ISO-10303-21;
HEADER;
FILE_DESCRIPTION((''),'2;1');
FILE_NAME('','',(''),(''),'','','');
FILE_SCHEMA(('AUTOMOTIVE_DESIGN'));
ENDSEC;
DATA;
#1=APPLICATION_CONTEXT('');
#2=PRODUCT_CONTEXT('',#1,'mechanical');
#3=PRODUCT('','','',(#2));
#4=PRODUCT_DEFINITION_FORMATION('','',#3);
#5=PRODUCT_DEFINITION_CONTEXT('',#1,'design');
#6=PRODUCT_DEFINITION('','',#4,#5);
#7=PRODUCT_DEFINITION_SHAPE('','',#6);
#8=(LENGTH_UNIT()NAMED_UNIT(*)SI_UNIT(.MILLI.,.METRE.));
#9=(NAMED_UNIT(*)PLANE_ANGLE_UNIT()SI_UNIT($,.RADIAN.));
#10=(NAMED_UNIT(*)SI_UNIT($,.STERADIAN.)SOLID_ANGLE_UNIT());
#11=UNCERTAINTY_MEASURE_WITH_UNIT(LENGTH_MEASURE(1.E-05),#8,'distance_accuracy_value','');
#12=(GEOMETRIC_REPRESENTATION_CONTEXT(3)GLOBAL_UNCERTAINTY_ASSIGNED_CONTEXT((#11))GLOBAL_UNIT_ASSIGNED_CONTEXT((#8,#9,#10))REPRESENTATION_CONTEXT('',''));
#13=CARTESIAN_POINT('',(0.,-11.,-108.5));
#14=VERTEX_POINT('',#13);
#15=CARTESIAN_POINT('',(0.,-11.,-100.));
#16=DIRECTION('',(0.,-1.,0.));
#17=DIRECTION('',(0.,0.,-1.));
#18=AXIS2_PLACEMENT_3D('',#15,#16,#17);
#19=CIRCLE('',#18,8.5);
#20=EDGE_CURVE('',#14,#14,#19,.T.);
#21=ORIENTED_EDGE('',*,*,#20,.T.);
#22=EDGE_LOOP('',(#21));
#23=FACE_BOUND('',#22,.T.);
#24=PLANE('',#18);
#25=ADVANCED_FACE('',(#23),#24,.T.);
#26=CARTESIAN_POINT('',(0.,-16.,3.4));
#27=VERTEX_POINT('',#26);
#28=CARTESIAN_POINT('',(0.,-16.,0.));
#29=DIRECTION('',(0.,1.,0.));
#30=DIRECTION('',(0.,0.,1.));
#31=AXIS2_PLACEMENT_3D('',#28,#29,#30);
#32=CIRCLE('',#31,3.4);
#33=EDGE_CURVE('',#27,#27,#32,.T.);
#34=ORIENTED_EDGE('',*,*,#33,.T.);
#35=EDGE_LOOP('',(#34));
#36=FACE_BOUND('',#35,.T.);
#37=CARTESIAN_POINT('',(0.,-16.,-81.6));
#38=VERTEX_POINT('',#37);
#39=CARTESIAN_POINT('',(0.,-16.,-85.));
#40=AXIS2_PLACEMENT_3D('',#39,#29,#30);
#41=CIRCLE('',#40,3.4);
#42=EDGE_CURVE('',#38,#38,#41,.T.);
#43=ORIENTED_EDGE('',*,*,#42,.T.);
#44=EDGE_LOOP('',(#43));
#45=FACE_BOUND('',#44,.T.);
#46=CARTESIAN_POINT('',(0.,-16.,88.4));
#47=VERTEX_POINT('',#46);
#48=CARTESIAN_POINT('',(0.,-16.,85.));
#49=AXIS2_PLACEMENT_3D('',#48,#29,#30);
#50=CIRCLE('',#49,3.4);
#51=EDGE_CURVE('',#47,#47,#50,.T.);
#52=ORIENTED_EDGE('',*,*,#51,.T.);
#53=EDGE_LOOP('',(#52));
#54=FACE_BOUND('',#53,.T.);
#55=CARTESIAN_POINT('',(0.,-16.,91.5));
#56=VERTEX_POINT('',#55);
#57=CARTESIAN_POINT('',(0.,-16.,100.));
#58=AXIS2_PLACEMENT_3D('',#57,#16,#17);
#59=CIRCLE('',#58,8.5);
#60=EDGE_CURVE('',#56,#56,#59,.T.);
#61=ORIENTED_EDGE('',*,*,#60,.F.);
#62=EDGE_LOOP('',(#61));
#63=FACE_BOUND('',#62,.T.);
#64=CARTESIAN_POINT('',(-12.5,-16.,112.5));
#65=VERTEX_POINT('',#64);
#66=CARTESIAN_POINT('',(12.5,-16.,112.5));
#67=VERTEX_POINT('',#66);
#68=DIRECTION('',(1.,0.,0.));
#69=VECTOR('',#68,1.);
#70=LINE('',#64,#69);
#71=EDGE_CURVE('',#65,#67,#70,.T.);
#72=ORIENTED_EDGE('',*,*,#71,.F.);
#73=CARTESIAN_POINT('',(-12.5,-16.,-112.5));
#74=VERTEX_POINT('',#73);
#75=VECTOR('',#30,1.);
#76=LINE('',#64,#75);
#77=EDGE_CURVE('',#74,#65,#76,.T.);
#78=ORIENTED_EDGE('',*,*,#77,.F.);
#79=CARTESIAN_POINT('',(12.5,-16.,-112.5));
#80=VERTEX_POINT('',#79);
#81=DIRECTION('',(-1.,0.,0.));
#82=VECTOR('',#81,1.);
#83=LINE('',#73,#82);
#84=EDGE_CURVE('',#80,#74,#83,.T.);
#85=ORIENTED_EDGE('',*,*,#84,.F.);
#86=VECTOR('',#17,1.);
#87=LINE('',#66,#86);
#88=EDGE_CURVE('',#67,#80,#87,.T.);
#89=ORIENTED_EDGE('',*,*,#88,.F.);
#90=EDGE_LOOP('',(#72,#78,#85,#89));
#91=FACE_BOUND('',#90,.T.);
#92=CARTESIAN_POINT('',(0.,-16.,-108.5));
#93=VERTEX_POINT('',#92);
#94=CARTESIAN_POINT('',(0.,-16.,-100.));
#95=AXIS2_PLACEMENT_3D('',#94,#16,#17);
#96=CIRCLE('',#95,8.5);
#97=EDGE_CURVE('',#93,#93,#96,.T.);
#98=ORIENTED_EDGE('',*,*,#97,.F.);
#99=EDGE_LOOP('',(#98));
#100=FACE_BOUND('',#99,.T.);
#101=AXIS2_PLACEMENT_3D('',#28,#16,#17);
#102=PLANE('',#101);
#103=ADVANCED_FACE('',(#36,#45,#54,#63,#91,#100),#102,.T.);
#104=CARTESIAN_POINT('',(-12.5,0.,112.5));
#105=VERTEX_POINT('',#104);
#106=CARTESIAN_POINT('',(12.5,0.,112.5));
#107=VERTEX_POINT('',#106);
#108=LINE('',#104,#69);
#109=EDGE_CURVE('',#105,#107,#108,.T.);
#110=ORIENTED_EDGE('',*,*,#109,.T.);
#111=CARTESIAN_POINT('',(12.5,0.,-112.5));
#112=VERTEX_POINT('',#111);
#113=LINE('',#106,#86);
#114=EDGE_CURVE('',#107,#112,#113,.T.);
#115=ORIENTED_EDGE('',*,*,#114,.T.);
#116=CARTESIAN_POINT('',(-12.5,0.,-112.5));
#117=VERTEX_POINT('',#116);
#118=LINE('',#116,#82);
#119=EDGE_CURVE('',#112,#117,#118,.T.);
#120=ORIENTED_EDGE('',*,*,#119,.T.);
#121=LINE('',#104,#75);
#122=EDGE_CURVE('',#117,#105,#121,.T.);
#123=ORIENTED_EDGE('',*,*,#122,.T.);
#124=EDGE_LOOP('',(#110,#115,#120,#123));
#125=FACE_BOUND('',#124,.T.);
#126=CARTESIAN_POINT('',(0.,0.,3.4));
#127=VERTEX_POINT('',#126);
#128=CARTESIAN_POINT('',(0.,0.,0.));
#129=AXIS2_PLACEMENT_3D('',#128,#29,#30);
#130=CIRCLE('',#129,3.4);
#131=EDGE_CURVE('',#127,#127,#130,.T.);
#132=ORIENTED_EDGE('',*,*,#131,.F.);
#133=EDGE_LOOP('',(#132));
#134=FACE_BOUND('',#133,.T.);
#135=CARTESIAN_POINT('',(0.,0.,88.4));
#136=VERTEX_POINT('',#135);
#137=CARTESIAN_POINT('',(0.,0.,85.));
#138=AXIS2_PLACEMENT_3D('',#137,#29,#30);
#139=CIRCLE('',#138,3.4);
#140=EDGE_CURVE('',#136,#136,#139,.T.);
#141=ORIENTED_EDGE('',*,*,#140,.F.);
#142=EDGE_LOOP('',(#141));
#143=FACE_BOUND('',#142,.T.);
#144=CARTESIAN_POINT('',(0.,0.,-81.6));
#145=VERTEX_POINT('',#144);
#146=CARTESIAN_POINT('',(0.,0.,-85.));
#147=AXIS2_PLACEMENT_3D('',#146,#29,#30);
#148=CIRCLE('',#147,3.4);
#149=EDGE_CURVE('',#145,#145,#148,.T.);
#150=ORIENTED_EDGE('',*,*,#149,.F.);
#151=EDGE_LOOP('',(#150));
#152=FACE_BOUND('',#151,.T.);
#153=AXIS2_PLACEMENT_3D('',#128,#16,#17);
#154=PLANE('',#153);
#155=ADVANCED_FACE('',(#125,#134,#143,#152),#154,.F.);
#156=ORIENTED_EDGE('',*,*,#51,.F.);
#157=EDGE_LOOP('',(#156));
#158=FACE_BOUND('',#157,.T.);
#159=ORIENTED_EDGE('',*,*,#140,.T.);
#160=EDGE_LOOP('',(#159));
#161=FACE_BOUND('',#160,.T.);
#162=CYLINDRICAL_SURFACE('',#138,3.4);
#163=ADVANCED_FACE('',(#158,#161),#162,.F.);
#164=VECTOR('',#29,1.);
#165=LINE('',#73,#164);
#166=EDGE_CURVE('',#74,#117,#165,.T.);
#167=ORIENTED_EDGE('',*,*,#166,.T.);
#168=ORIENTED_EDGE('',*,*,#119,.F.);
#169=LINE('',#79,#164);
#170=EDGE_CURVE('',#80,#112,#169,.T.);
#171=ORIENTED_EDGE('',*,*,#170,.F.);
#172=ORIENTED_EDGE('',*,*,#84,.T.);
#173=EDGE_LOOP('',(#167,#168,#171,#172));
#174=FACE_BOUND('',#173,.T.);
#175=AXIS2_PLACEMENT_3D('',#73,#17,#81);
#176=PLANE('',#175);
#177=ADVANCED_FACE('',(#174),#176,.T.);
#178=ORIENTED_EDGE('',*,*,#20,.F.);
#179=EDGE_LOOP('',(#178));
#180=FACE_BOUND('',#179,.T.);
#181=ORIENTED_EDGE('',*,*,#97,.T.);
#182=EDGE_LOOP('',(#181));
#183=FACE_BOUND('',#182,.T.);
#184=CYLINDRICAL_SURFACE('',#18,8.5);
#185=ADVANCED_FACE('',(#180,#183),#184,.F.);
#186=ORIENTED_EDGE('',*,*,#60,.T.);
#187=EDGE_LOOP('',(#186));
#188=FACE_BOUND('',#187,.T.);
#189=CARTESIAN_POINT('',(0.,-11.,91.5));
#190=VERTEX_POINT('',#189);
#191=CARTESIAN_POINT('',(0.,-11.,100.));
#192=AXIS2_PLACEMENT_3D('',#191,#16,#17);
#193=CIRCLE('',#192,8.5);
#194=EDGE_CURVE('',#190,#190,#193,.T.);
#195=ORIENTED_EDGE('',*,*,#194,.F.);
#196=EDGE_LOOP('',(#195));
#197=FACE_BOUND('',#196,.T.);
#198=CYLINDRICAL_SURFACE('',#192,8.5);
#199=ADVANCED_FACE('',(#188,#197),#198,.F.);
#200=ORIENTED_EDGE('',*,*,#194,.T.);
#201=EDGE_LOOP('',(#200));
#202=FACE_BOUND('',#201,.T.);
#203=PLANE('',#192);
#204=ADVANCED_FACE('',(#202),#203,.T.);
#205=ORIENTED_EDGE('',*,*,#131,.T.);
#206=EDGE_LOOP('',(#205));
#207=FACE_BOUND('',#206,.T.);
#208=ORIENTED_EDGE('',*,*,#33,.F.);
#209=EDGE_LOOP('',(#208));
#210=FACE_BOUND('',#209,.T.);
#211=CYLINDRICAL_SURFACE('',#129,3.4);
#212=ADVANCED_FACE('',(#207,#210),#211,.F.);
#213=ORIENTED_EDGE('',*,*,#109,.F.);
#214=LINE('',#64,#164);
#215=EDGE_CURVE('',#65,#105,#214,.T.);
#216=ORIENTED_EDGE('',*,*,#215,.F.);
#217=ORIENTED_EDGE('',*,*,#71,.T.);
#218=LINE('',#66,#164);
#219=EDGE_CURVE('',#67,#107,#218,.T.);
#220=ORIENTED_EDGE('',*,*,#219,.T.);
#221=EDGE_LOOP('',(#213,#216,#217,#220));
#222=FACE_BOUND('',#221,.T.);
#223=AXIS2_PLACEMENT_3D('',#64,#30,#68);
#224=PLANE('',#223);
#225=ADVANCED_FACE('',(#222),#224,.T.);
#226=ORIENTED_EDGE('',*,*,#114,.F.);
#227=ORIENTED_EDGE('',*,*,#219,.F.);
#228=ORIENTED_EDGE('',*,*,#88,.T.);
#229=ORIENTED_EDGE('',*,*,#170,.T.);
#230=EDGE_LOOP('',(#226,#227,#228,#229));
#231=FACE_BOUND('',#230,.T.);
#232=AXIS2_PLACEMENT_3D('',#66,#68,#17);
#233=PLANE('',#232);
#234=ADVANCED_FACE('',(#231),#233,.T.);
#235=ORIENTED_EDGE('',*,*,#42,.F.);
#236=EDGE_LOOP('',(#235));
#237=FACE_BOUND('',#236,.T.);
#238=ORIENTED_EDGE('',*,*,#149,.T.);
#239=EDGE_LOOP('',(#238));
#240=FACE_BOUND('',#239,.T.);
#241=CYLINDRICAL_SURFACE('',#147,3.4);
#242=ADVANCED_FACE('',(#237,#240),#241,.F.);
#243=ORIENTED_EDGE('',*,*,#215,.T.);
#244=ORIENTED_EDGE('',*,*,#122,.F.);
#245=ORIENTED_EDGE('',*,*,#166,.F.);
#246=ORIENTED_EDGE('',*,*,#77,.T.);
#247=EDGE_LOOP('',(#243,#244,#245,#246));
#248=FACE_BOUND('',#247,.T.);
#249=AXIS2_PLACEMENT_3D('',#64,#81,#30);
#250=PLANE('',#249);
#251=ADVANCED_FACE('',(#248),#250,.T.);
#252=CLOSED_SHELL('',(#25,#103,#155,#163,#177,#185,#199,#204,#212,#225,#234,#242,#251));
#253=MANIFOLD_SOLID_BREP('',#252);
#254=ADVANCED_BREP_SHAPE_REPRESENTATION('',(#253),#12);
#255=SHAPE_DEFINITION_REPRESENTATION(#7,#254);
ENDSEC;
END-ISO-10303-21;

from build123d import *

# Parameters (mm, degrees)
SKETCH1_W           = 25
SKETCH1_H           = 225
BOSS_EXTRUDE1_DEPTH = 16
SKETCH2_R           = 8.5
CUT_EXTRUDE1_DEPTH  = 5
M8_TAPPED_HOLE1_D   = 6.8


with BuildPart() as part:
    # Sketch1 → Boss-Extrude1 (new body)
    with BuildSketch(Plane(origin=(0, 0, 0), x_dir=(1, 0, 0), z_dir=(0, 1, 0))):
        Rectangle(SKETCH1_W, SKETCH1_H)
    extrude(amount=-BOSS_EXTRUDE1_DEPTH)

    # Sketch2 → Cut-Extrude1 (cut)
    with BuildSketch(Plane.XZ.offset(16)):
        with Locations(Location((0, 100, 0), (0, 0, 270))):
            Circle(SKETCH2_R)
        with Locations(Location((0, -100, 0), (0, 0, 270))):
            Circle(SKETCH2_R)
    extrude(amount=-CUT_EXTRUDE1_DEPTH, mode=Mode.SUBTRACT)

    # M8 Tapped Hole1 (through all)
    with Locations(Plane(origin=(0, 0, 0), x_dir=(1, 0, 0), z_dir=(0, 1, 0))):
        with Locations((0, 85), (0, 0), (0, -85)):
            Hole(M8_TAPPED_HOLE1_D / 2)


solid = part.part
